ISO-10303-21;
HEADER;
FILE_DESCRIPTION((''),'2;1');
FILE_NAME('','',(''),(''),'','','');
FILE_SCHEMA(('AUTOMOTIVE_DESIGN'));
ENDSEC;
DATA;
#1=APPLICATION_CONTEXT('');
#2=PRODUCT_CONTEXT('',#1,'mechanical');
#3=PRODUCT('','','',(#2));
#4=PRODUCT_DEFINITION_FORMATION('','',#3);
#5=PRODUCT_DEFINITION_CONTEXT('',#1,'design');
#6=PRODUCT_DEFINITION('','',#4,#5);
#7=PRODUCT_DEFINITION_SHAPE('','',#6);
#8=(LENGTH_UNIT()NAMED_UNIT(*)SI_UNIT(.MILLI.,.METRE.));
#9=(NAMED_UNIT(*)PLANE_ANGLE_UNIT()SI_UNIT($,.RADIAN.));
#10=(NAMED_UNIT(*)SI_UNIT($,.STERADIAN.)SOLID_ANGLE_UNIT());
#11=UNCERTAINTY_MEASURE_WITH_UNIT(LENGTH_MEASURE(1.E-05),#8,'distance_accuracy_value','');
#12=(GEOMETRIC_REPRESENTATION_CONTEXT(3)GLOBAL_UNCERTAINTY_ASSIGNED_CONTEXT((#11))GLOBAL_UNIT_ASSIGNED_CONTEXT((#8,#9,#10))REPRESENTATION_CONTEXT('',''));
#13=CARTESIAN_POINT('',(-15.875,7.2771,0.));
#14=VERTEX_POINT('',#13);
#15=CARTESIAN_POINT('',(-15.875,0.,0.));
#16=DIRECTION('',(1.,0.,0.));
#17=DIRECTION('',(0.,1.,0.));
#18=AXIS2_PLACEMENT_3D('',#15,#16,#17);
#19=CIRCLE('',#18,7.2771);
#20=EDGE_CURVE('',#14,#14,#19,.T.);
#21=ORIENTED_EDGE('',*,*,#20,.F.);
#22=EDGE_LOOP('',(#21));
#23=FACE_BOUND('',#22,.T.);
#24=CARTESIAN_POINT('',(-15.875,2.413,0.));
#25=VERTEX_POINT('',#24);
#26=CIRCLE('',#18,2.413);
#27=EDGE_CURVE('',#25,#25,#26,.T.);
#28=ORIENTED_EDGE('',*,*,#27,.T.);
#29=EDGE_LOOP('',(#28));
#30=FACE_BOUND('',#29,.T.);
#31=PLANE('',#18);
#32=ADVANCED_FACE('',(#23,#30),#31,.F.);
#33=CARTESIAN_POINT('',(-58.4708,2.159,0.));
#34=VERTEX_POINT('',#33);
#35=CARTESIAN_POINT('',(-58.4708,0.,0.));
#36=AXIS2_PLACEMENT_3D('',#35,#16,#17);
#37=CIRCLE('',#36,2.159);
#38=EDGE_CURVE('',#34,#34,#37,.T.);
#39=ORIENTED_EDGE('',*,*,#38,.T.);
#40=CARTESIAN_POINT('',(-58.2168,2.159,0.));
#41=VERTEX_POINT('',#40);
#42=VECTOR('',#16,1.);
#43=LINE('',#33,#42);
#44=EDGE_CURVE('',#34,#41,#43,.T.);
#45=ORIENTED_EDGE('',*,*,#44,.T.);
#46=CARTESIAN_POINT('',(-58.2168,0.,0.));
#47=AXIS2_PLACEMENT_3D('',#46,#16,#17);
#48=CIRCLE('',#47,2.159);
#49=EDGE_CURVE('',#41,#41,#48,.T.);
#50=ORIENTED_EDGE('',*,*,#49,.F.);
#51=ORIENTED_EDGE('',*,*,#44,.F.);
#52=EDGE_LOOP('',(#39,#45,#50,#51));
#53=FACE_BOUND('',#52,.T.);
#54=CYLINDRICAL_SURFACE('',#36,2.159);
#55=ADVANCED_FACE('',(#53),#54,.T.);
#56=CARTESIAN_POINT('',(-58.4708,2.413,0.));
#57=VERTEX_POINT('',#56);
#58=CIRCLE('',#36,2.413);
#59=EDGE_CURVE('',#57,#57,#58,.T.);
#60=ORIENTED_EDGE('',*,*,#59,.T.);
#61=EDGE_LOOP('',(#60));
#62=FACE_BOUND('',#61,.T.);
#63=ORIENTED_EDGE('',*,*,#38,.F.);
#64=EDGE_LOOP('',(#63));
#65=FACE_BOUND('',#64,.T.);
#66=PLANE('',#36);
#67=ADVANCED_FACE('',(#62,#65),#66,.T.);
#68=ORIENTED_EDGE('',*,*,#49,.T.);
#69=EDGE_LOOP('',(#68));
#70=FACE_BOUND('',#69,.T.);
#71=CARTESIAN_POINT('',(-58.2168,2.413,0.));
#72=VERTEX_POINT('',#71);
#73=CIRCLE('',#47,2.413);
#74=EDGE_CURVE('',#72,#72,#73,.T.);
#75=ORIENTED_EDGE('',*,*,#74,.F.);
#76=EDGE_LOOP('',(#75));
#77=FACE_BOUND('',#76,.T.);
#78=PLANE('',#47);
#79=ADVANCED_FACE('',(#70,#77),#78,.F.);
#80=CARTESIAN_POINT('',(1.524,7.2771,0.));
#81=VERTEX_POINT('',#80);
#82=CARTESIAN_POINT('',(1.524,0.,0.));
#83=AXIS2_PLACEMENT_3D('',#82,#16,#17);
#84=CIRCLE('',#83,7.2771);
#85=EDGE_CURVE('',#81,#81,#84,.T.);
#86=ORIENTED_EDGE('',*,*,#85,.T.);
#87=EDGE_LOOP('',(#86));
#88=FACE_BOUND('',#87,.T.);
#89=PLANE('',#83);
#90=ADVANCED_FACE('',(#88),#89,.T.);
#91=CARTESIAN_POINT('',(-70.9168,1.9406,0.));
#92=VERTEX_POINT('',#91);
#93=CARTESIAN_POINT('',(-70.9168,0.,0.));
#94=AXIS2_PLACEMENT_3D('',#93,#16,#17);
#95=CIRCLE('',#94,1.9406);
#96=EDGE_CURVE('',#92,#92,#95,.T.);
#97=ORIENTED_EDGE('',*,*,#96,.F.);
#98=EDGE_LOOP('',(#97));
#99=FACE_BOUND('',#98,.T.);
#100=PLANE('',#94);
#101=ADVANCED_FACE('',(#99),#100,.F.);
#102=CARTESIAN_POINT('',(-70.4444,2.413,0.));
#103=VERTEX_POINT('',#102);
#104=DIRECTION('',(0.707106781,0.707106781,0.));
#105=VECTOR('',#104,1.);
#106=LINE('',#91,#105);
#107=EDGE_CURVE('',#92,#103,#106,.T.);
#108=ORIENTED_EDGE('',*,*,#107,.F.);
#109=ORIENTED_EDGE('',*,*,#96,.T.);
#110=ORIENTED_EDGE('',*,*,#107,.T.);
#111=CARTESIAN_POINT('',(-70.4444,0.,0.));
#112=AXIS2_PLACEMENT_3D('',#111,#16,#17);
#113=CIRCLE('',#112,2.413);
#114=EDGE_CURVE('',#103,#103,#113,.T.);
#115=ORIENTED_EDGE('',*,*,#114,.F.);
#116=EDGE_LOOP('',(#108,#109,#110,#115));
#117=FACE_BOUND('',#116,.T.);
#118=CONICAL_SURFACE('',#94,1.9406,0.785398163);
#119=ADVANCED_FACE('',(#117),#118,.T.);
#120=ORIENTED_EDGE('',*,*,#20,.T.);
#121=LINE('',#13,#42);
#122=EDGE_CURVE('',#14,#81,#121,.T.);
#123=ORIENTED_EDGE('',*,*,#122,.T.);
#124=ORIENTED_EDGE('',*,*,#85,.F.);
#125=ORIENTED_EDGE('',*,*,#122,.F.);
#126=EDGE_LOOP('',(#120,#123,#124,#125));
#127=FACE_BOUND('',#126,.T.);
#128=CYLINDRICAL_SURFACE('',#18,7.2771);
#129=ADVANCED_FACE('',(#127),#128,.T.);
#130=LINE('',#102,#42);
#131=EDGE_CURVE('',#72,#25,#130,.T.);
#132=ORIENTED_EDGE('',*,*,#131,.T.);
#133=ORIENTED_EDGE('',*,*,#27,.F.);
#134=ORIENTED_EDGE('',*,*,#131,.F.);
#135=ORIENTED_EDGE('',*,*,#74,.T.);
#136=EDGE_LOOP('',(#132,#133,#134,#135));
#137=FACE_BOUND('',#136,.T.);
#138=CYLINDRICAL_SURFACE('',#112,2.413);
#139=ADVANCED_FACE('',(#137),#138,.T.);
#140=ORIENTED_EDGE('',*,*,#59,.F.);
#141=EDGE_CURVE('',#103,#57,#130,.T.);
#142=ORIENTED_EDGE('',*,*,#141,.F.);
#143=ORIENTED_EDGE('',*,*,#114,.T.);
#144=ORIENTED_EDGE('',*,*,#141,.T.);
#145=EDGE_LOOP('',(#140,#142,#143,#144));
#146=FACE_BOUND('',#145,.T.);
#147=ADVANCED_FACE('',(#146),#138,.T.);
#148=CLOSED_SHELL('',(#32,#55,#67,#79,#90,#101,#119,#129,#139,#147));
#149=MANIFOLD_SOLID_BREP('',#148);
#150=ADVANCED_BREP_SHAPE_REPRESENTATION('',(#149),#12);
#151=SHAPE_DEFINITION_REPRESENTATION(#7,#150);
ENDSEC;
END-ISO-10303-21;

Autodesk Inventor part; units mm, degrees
sketch "Sketch_3" plane through (0, 0, 0) normal (0, 0, 1) x (1, 0, 0)
  line L0 (0, 0) -> (-70.9168, 0)
  line L1 (-70.9168, 0) -> (-70.9168, 1.9406)
  line L2 (-70.9168, 1.9406) -> (-70.4444, 2.413)
  line L3 (-70.4444, 2.413) -> (0, 2.413)
  line L4 (0, 2.413) -> (0, 0)
  line L5 (0, 0) -> (-70.9168, 0)
revolve "Revolution1" add sketch "Sketch_3" angle 360 about axis through (0, 0, 0) along (1, 0, 0)
thread "Thread1" size "10-32 UNF" class "2A" standard "ANSI Unified Screw Threads" length 12.446 offset 58.4708
sketch "Sketch_17" plane through (0, 0, 0) normal (0, 0, 1) x (1, 0, 0)
  line L0 (70.9168, 0) -> (-70.9168, 0)
  line L1 (-58.4708, 2.413) -> (-58.4708, 2.159)
  line L2 (-58.4708, 2.159) -> (-58.2168, 2.159)
  line L3 (-58.2168, 2.159) -> (-58.2168, 2.413)
  line L4 (-58.2168, 2.413) -> (-58.4708, 2.413)
revolve "Revolution2" cut sketch "Sketch_17" angle 360 about axis through (70.9168, 0, 0) along (1, 0, 0)
sketch "Sketch_12" plane through (0, 0, 0) normal (0, 0, 1) x (1, 0, 0)
  line L0 (1.524, 0) -> (-15.875, 0)
  line L1 (-15.875, 0) -> (-15.875, 7.2771)
  line L2 (-15.875, 7.2771) -> (1.524, 7.2771)
  line L3 (1.524, 7.2771) -> (1.524, 0)
  line L4 (1.524, 0) -> (-15.875, 0)
revolve "Revolution3" add sketch "Sketch_12" angle 360 about axis through (1.524, 0, 0) along (1, 0, 0)
ref_plane "h1_XY" through (-70.9168, 0, 0) normal (0, 1, 0) x (1, 0, 0)
ref_plane "h1_YZ" through (-70.9168, 0, 0) normal (1, 0, 0) x (0, 0, -1)
ref_plane "h1_ZX" through (-70.9168, 0, 0) normal (0, 0, -1) x (0, 1, 0)
ref_plane "h2_XY" through (-58.2168, 0, 0) normal (0, 1, 0) x (1, 0, 0)
ref_plane "h2_YZ" through (-58.2168, 0, 0) normal (1, 0, 0) x (0, 0, -1)
ref_plane "h2_ZX" through (-58.2168, 0, 0) normal (0, 0, -1) x (0, 1, 0)
ref_plane "k1_XY" through (-70.9168, 0, -2.413) normal (0, 1, 0) x (1, 0, 0)
ref_plane "k1_YZ" through (-70.9168, 0, -2.413) normal (1, 0, 0) x (0, 0, -1)
ref_plane "k1_ZX" through (-70.9168, 0, -2.413) normal (0, 0, -1) x (0, 1, 0)
ref_plane "k2_XY" through (-70.9168, 0, 2.413) normal (0, 1, 0) x (1, 0, 0)
ref_plane "k2_YZ" through (-70.9168, 0, 2.413) normal (1, 0, 0) x (0, 0, -1)
ref_plane "k2_ZX" through (-70.9168, 0, 2.413) normal (0, 0, -1) x (0, 1, 0)
ref_plane "start_XY" through (-58.2168, 0, 0) normal (0, 1, 0) x (1, 0, 0)
ref_plane "start_YZ" through (-58.2168, 0, 0) normal (1, 0, 0) x (0, 0, -1)
ref_plane "start_ZX" through (-58.2168, 0, 0) normal (0, 0, -1) x (0, 1, 0)
ref_plane "to_prc_XY" through (-58.2168, 0, 0) normal (1, 0, 0) x (0, 0, -1)
ref_plane "to_prc_YZ" through (-58.2168, 0, 0) normal (0, 0, -1) x (0, 1, 0)
ref_plane "to_prc_ZX" through (-58.2168, 0, 0) normal (0, 1, 0) x (1, 0, 0)
ref_plane "to_rod_guide_XY" through (-70.9168, 0, 0) normal (1, 0, 0) x (0, 0, -1)
ref_plane "to_rod_guide_YZ" through (-70.9168, 0, 0) normal (0, 0, -1) x (0, 1, 0)
ref_plane "to_rod_guide_ZX" through (-70.9168, 0, 0) normal (0, 1, 0) x (1, 0, 0)
properties part number "D-75080.5-0.011XP-2.792-3pos"
